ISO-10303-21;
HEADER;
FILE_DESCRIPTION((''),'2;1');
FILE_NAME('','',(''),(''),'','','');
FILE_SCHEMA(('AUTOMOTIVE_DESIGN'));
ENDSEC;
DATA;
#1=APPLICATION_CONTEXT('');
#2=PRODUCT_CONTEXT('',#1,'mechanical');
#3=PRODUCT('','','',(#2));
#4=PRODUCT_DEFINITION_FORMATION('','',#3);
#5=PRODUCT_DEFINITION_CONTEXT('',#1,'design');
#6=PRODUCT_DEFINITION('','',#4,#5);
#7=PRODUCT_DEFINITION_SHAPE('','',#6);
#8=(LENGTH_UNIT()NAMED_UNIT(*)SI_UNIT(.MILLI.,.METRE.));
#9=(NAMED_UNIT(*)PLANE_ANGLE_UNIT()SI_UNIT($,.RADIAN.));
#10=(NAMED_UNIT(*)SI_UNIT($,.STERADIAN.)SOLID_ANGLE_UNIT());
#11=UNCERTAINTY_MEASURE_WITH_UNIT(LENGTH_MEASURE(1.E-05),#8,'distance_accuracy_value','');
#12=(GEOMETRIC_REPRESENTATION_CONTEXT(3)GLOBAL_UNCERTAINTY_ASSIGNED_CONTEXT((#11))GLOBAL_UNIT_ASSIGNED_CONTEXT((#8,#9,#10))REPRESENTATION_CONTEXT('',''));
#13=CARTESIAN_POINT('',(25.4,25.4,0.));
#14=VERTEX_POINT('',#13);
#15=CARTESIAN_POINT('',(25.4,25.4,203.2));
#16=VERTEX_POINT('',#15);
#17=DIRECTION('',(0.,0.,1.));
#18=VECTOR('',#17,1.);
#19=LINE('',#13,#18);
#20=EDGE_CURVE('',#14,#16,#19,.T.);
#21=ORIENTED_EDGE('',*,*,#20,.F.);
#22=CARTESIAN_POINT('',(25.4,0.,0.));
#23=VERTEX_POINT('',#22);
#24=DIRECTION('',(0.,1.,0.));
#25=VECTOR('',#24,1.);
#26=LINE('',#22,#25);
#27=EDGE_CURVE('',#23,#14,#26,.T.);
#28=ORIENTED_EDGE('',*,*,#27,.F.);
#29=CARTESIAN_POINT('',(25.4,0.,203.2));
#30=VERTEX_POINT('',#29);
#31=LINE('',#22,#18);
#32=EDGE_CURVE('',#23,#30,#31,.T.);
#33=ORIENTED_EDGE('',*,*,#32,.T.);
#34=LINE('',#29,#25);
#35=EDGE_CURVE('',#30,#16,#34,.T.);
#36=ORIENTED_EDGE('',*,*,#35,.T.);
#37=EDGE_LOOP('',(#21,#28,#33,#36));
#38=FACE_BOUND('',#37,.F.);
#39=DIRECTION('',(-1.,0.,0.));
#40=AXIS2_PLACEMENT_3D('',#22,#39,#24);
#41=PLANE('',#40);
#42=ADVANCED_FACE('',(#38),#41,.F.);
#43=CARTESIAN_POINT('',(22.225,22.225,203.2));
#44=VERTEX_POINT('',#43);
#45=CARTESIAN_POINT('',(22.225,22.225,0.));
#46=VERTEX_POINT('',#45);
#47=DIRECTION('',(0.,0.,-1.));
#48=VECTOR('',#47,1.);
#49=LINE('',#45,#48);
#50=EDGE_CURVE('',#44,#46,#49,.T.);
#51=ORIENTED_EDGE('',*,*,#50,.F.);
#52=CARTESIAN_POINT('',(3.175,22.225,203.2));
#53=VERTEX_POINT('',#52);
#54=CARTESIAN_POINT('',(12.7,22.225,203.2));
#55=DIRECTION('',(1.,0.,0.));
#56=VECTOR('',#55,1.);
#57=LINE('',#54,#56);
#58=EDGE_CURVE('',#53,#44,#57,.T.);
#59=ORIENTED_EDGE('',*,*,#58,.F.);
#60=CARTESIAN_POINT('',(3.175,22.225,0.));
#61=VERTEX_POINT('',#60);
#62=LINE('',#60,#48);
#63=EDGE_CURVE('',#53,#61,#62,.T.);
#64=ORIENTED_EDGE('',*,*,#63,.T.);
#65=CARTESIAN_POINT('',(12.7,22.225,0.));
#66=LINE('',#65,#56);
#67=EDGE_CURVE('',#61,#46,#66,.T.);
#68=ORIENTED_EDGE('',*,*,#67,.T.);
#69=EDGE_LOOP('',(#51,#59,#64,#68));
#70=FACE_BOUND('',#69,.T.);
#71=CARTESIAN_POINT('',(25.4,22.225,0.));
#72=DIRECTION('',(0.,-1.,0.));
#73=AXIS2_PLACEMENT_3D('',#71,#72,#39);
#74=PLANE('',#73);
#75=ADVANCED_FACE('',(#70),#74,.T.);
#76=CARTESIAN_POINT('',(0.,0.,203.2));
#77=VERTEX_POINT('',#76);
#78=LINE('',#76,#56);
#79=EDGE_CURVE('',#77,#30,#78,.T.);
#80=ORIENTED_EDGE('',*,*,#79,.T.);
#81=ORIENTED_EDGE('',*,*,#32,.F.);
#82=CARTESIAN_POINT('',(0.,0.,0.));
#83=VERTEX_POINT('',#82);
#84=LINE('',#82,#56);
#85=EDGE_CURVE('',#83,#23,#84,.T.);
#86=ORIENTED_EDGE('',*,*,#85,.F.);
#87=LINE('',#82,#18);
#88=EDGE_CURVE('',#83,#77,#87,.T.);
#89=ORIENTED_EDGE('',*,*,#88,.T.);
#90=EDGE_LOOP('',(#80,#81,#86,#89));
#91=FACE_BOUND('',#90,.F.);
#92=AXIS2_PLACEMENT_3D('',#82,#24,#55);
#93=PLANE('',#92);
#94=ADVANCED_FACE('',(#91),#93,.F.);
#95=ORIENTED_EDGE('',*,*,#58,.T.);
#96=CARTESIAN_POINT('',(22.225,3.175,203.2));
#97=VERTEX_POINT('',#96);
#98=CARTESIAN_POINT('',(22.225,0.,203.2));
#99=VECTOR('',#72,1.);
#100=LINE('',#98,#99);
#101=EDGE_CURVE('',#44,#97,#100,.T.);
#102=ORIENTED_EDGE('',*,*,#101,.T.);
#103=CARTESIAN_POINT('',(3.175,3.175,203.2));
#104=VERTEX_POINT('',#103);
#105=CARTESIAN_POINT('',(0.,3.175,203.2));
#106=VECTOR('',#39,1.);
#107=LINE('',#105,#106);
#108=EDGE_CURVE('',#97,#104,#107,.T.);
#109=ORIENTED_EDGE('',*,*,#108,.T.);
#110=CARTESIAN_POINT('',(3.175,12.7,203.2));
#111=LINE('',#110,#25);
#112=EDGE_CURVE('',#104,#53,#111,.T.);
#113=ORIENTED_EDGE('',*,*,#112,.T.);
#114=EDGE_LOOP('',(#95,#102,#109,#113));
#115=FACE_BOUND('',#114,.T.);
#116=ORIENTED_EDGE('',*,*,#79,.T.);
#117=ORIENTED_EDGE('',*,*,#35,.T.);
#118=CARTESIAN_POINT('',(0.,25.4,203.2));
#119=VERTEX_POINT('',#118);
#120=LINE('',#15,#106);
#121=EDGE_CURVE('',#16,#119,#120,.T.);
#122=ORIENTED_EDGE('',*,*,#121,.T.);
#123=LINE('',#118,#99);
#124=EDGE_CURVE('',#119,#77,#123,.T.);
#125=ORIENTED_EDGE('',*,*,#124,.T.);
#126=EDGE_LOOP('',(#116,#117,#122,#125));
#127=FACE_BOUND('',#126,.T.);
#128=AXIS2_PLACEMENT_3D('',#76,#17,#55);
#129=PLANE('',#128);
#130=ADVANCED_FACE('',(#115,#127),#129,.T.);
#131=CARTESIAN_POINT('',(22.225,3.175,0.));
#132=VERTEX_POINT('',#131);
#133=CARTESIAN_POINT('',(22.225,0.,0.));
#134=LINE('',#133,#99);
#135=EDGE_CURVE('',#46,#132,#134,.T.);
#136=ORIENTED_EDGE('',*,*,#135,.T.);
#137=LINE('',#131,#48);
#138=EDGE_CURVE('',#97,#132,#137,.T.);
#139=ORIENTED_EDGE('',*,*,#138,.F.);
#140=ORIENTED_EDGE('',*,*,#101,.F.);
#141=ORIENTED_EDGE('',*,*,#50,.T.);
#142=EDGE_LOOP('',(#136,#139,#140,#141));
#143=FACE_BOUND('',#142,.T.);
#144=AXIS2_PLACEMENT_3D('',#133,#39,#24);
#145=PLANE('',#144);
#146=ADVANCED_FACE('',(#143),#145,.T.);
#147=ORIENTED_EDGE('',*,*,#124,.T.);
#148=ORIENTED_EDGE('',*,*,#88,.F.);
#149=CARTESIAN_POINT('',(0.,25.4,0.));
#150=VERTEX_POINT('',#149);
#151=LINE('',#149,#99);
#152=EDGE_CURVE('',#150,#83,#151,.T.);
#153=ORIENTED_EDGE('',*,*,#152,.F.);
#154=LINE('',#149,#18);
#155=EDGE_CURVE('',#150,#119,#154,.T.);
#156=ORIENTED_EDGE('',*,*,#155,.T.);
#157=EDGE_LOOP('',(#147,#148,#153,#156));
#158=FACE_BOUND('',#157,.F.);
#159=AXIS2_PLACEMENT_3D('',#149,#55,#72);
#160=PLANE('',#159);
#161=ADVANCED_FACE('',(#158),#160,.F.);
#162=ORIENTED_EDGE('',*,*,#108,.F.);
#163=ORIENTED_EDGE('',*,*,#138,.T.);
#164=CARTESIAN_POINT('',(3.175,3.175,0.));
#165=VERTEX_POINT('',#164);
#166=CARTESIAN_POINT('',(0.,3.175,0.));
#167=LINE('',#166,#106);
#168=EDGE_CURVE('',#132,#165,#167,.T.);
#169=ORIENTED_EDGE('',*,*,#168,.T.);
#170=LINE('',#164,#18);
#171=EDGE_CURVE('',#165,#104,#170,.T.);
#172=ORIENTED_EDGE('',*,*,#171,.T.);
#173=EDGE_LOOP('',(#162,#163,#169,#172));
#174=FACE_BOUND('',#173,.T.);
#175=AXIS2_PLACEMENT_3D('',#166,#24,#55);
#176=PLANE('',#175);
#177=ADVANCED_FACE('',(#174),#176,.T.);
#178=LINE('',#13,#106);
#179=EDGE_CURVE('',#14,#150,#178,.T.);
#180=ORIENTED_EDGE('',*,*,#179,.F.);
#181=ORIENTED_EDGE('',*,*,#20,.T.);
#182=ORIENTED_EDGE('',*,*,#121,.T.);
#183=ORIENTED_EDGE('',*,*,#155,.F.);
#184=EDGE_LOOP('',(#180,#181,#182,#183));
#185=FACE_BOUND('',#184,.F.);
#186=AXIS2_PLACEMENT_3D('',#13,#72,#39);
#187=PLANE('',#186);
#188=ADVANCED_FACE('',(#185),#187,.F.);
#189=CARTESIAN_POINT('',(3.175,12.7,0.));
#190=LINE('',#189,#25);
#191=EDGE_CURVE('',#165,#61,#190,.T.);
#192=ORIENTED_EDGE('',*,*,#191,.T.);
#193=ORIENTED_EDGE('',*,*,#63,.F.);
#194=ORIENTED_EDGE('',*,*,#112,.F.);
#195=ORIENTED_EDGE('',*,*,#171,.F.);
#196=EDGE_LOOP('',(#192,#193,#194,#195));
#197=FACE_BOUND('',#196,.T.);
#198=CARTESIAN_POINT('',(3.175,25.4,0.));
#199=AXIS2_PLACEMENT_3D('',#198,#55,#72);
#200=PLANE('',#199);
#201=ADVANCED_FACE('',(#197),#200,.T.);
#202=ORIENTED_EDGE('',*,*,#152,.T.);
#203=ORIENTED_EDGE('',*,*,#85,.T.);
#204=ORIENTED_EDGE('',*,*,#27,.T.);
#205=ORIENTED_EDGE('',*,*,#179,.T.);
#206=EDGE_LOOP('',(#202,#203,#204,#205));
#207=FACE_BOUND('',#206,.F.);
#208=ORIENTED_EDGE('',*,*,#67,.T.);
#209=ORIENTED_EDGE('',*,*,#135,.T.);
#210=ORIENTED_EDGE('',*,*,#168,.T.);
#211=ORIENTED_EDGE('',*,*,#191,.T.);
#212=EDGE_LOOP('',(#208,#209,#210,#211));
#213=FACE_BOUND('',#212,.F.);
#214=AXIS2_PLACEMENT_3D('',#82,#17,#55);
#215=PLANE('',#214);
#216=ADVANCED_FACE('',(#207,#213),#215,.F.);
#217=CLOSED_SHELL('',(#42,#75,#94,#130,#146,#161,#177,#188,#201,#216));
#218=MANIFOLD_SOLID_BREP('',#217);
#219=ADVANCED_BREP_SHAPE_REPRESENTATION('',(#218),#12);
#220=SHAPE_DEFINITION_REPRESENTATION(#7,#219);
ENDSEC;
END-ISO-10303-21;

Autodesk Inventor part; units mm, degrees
ref_plane "YZ Plane" through (0, 0, 0) normal (1, 0, 0) x (0, 1, 0)
ref_plane "XZ Plane" through (0, 0, 0) normal (0, 1, 0) x (-1, 0, 0)
ref_plane "XY Plane" through (0, 0, 0) normal (0, 0, 1) x (1, 0, 0)
sketch "Sketch1" plane through (0, 0, 0) normal (0, 0, 1) x (1, 0, 0)
  line L0 (0, 0) -> (25.4, 0)
  line L1 (25.4, 0) -> (25.4, 25.4)
  line L2 (25.4, 25.4) -> (0, 25.4)
  line L3 (0, 25.4) -> (0, 0)
  dimension "d0" = 25.4
  dimension "d1" = 25.4
extrude "Extrusion1" add sketch "Sketch1" along normal blind 203.2
shell "Shell1" thickness 3.175 removed faces 2 at (8.4667, 16.9333, 0) at (8.4667, 16.9333, 203.2)
properties part number "FrontBumperRail"
